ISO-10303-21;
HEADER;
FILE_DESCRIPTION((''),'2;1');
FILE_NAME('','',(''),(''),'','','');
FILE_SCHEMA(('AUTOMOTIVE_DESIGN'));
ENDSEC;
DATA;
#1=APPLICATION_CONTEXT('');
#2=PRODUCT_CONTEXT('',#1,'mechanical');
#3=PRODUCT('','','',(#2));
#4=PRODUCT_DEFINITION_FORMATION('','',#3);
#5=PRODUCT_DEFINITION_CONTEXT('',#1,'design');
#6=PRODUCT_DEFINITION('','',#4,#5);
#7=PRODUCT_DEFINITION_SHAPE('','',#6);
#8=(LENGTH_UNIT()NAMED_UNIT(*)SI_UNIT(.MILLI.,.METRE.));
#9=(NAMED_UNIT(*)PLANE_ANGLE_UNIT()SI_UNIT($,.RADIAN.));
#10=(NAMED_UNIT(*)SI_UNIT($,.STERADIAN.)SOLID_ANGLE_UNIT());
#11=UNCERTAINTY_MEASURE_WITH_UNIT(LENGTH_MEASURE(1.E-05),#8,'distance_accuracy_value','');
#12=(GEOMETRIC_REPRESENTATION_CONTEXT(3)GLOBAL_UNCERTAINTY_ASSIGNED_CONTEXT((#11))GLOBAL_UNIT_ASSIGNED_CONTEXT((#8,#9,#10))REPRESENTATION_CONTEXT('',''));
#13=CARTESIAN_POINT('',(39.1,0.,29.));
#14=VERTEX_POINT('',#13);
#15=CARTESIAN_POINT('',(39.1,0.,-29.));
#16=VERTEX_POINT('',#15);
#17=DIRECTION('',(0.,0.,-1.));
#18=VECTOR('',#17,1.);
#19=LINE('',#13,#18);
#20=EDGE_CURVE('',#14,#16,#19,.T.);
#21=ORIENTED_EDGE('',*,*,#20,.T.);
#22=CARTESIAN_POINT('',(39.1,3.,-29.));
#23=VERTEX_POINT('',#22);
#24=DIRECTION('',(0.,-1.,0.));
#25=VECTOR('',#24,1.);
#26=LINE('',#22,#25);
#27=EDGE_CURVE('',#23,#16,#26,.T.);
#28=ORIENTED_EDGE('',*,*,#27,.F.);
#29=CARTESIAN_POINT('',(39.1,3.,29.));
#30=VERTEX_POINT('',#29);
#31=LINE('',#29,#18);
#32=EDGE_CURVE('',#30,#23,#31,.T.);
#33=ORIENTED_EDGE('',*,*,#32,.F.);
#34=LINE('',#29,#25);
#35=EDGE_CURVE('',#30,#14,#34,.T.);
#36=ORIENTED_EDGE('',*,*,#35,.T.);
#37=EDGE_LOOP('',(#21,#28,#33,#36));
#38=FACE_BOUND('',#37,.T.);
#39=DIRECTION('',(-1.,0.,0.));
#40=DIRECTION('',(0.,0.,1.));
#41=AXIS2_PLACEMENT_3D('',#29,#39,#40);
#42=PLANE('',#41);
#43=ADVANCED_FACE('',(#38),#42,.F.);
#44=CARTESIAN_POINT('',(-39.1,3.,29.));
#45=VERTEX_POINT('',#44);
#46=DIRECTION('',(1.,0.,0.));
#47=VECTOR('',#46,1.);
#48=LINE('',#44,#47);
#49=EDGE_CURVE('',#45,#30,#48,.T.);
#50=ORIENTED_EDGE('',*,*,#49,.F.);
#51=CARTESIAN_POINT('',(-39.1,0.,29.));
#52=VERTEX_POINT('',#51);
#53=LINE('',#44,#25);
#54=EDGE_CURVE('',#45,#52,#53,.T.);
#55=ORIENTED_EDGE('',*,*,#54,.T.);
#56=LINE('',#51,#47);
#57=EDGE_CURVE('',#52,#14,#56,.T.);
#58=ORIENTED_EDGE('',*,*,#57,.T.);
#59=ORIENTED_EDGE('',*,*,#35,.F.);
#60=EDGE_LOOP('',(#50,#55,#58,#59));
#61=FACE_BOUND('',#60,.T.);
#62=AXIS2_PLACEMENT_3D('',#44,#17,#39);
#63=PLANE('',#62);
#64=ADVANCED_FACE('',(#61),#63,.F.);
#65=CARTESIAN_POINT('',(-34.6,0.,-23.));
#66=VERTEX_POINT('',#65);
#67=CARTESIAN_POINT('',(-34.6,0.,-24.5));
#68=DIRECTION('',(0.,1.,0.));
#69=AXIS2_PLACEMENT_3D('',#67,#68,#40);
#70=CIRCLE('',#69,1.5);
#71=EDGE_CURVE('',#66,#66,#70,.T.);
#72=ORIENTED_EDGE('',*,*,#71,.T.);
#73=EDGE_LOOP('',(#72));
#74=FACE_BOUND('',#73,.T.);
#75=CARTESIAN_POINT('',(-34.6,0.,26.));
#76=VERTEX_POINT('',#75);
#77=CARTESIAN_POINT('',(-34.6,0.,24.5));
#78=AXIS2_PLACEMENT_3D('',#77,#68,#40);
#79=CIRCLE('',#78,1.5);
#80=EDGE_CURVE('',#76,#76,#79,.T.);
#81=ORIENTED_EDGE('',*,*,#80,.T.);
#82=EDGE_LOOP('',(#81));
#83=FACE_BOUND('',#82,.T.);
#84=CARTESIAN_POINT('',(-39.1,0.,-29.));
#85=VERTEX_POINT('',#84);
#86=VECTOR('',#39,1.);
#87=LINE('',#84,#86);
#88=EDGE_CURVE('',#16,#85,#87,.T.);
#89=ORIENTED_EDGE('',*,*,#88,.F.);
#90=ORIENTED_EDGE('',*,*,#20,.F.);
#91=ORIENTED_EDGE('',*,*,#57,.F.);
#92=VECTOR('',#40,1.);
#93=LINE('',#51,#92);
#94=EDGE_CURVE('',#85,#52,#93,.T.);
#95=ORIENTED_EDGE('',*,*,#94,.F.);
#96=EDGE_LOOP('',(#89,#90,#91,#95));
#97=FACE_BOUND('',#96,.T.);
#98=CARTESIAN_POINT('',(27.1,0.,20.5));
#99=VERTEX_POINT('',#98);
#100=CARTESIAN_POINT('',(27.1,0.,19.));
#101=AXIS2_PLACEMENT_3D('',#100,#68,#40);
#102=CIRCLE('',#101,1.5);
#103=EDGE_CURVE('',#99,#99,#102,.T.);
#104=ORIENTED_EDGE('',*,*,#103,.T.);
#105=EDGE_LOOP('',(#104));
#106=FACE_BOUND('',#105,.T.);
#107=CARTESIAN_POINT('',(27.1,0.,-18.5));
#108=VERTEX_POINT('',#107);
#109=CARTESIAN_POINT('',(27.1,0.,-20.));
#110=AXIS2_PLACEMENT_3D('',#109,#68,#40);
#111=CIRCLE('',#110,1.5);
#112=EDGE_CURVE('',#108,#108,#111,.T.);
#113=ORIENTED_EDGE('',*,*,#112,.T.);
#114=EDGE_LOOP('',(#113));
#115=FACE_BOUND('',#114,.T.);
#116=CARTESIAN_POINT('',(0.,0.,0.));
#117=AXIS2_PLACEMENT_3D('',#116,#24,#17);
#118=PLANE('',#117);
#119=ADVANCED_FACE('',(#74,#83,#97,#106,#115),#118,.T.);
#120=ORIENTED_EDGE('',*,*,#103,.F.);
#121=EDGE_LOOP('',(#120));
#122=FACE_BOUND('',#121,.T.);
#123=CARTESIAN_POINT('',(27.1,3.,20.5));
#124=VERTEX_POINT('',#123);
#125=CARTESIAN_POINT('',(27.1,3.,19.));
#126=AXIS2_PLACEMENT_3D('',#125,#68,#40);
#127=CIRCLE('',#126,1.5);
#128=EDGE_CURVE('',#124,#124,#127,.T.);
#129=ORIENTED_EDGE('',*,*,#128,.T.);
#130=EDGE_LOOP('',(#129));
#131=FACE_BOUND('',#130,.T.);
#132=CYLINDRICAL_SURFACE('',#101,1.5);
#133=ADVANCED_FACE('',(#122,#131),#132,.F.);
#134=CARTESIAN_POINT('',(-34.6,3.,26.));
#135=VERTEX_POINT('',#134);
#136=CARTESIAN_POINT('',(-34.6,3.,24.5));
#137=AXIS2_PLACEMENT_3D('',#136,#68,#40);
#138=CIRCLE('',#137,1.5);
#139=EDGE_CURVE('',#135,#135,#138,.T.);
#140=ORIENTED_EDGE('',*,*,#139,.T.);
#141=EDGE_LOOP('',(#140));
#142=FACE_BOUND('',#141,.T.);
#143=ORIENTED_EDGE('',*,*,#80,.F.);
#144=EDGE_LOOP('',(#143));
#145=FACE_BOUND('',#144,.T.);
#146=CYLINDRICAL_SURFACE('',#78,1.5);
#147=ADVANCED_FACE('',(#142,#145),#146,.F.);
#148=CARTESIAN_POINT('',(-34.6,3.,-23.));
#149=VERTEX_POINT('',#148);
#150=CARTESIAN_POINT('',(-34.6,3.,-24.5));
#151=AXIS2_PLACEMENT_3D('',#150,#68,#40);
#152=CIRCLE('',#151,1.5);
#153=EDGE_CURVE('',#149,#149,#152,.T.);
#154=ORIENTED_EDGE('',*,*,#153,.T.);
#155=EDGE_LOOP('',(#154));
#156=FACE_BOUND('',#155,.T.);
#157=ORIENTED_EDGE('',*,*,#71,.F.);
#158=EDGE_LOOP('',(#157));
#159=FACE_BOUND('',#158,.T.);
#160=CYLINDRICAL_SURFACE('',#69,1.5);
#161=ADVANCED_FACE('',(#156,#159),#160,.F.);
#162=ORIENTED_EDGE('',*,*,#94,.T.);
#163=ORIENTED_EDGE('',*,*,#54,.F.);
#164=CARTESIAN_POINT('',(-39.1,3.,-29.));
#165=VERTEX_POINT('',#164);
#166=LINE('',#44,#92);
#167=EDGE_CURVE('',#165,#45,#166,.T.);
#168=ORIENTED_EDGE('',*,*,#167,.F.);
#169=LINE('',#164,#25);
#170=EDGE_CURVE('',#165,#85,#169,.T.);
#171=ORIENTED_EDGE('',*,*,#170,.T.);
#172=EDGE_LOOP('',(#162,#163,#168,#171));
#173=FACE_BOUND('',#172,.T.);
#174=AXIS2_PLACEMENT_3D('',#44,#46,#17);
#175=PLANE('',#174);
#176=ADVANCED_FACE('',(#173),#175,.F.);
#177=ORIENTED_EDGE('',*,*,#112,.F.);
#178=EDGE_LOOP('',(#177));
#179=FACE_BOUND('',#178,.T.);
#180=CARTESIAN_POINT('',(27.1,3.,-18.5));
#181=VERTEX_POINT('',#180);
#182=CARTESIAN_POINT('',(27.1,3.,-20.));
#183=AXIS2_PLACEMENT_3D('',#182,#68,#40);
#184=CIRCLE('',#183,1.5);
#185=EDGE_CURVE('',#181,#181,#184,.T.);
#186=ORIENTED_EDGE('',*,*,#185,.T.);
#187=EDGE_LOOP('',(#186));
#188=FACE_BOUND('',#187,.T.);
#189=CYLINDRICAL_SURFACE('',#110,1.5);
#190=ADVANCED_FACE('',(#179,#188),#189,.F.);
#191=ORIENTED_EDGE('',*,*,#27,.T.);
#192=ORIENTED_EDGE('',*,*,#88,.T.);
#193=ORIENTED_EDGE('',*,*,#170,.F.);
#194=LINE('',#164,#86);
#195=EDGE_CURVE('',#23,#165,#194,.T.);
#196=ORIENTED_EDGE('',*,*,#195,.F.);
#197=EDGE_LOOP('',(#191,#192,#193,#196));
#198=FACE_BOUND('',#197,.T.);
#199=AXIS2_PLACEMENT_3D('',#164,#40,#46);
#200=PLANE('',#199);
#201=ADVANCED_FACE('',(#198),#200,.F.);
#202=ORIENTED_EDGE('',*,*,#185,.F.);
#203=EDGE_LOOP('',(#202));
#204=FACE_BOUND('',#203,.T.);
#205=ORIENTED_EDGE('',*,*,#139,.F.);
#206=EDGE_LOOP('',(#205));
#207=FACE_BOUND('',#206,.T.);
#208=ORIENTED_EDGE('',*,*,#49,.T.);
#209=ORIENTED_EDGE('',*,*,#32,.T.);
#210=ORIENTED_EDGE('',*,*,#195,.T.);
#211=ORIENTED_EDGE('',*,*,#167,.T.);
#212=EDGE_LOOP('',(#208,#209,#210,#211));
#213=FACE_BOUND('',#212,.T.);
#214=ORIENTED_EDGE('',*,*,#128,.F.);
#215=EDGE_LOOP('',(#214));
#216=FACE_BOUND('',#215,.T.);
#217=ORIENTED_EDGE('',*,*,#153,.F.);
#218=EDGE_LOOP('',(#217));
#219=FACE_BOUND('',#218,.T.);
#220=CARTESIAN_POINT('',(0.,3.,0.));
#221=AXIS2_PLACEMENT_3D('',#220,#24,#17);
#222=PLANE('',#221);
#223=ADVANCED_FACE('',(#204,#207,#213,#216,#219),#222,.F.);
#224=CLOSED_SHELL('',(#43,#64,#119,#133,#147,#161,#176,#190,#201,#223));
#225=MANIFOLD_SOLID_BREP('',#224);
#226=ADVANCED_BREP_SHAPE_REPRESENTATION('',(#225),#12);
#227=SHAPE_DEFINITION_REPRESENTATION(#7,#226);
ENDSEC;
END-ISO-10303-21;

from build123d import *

# Parameters (mm, degrees)
SKETCH1_W           = 78.2
SKETCH1_H           = 58
BOSS_EXTRUDE1_DEPTH = 3
SKETCH2_R           = 1.5
CUT_EXTRUDE1_DEPTH  = 3
SKETCH3_R           = 1.5
CUT_EXTRUDE2_DEPTH  = 3


with BuildPart() as part:
    # Sketch1 → Boss-Extrude1 (new body)
    with BuildSketch(Plane(origin=(0, 0, 0), x_dir=(1, 0, 0), z_dir=(0, 1, 0))):
        Rectangle(SKETCH1_W, SKETCH1_H)
    extrude(amount=BOSS_EXTRUDE1_DEPTH)

    # Sketch2 → Cut-Extrude1 (cut)
    with BuildSketch(Plane(origin=(0, 3, 0), x_dir=(1, 0, 0), z_dir=(0, 1, 0))):
        with Locations(Location((-34.6, 24.5, 0), (0, 0, 270))):
            Circle(SKETCH2_R)
        with Locations(Location((-34.6, -24.5, 0), (0, 0, 270))):
            Circle(SKETCH2_R)
    extrude(amount=-CUT_EXTRUDE1_DEPTH, mode=Mode.SUBTRACT)

    # Sketch3 → Cut-Extrude2 (cut)
    with BuildSketch(Plane(origin=(0, 3, 0), x_dir=(1, 0, 0), z_dir=(0, 1, 0))):
        with Locations(Location((27.1, 20, 0), (0, 0, 270))):
            Circle(SKETCH3_R)
        with Locations(Location((27.1, -19, 0), (0, 0, 270))):
            Circle(SKETCH3_R)
    extrude(amount=-CUT_EXTRUDE2_DEPTH, mode=Mode.SUBTRACT)


solid = part.part
